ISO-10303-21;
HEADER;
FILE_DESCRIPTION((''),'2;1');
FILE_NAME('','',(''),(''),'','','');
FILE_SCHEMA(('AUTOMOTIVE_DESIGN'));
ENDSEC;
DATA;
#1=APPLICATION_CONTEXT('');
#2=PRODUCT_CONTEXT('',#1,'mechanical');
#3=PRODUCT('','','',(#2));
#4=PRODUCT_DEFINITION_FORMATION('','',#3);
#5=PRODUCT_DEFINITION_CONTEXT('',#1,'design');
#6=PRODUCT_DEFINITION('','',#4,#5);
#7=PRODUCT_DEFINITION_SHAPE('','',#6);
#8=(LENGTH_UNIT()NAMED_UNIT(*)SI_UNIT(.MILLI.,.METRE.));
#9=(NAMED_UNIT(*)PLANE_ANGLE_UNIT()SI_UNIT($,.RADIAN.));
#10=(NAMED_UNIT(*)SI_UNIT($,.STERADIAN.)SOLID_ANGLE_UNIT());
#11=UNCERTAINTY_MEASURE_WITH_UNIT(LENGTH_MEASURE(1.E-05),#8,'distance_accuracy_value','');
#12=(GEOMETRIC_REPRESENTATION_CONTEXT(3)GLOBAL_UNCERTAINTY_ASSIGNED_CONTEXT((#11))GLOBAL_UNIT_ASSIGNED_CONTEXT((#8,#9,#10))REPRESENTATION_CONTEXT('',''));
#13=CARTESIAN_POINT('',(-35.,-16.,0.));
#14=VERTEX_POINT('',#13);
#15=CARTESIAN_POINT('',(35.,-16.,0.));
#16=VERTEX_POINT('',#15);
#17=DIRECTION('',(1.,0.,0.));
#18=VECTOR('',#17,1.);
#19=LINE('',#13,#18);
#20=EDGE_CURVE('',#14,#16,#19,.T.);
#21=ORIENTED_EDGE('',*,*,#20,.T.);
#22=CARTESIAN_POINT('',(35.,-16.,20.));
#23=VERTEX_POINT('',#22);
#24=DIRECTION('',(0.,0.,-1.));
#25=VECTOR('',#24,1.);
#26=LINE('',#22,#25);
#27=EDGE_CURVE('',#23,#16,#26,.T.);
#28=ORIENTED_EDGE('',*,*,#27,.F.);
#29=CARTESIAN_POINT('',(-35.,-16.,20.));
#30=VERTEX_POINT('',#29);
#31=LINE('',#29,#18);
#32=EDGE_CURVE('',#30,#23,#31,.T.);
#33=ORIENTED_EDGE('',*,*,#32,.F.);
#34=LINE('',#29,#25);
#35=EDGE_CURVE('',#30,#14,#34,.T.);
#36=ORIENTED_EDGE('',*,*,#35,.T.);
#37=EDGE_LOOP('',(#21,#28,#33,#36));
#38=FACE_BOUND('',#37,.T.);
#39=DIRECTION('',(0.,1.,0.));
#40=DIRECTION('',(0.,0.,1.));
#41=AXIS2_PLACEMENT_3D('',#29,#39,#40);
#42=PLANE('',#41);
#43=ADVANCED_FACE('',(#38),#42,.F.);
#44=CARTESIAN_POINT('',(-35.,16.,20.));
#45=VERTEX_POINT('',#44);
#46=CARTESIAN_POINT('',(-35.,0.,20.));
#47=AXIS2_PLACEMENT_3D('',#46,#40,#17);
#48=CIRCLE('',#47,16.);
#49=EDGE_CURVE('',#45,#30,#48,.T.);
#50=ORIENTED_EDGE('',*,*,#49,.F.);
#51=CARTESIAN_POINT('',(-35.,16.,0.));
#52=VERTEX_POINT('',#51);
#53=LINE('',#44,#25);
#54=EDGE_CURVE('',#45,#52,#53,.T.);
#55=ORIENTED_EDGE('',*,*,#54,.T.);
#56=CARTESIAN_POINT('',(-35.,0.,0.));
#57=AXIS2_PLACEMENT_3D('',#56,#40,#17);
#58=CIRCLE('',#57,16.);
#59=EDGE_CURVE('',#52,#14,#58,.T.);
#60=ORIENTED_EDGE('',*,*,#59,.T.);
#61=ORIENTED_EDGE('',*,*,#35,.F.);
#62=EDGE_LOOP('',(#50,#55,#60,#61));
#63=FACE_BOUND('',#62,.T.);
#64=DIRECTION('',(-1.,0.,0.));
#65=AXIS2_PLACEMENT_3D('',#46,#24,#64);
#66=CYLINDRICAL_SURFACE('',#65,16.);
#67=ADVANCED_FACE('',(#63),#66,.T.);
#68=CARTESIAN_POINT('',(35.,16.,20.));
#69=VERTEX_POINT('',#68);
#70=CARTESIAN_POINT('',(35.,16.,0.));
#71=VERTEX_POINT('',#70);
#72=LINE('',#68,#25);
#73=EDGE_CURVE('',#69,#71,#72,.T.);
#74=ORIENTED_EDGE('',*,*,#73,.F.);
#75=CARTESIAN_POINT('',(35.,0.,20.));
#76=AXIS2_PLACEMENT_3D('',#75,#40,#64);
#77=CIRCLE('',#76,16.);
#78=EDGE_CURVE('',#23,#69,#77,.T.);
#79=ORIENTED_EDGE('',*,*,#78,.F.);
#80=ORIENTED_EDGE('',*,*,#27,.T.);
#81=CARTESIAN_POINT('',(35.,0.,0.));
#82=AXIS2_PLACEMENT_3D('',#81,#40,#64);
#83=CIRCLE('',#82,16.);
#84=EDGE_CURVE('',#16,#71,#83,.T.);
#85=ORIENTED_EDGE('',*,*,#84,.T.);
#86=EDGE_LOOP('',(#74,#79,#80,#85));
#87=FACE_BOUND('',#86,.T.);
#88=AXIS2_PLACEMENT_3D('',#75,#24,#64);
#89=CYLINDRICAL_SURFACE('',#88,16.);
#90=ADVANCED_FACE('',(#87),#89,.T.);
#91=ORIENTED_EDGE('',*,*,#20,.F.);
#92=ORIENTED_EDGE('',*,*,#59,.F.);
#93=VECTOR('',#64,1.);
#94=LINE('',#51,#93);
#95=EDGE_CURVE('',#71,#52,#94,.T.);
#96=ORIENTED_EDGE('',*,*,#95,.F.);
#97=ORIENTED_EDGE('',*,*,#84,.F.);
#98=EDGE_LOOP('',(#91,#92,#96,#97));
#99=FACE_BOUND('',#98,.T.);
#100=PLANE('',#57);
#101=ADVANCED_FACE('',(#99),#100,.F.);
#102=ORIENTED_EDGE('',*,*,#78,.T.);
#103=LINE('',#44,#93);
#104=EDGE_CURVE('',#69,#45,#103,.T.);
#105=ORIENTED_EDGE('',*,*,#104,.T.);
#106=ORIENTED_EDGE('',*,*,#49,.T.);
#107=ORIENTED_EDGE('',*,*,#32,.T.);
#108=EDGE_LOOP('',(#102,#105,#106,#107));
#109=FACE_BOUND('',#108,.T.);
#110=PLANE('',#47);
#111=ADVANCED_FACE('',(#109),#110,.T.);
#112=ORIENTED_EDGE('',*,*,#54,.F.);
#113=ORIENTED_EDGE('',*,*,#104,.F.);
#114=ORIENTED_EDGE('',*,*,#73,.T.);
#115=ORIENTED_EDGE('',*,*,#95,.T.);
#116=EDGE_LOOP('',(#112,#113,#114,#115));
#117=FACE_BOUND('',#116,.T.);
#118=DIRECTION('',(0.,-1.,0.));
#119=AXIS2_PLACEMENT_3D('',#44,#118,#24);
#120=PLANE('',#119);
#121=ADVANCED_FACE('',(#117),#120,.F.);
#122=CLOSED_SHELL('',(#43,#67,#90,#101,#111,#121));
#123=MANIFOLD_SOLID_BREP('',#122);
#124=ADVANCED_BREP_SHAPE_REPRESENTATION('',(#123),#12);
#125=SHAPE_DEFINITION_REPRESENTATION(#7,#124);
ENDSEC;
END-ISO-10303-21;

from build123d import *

# Parameters (mm, degrees)
EXTRUDE_1_DEPTH = 20


with BuildPart() as part:
    # 草图1 → 拉伸1 (new body)
    with BuildSketch(Plane.XY):
        with BuildLine():
            Line((-35, 16), (35, 16))
            ThreePointArc((35, 16), (51, 0), (35, -16))
            Line((35, -16), (-35, -16))
            ThreePointArc((-35, -16), (-51, 0), (-35, 16))
        make_face()
    extrude(amount=EXTRUDE_1_DEPTH)


solid = part.part
